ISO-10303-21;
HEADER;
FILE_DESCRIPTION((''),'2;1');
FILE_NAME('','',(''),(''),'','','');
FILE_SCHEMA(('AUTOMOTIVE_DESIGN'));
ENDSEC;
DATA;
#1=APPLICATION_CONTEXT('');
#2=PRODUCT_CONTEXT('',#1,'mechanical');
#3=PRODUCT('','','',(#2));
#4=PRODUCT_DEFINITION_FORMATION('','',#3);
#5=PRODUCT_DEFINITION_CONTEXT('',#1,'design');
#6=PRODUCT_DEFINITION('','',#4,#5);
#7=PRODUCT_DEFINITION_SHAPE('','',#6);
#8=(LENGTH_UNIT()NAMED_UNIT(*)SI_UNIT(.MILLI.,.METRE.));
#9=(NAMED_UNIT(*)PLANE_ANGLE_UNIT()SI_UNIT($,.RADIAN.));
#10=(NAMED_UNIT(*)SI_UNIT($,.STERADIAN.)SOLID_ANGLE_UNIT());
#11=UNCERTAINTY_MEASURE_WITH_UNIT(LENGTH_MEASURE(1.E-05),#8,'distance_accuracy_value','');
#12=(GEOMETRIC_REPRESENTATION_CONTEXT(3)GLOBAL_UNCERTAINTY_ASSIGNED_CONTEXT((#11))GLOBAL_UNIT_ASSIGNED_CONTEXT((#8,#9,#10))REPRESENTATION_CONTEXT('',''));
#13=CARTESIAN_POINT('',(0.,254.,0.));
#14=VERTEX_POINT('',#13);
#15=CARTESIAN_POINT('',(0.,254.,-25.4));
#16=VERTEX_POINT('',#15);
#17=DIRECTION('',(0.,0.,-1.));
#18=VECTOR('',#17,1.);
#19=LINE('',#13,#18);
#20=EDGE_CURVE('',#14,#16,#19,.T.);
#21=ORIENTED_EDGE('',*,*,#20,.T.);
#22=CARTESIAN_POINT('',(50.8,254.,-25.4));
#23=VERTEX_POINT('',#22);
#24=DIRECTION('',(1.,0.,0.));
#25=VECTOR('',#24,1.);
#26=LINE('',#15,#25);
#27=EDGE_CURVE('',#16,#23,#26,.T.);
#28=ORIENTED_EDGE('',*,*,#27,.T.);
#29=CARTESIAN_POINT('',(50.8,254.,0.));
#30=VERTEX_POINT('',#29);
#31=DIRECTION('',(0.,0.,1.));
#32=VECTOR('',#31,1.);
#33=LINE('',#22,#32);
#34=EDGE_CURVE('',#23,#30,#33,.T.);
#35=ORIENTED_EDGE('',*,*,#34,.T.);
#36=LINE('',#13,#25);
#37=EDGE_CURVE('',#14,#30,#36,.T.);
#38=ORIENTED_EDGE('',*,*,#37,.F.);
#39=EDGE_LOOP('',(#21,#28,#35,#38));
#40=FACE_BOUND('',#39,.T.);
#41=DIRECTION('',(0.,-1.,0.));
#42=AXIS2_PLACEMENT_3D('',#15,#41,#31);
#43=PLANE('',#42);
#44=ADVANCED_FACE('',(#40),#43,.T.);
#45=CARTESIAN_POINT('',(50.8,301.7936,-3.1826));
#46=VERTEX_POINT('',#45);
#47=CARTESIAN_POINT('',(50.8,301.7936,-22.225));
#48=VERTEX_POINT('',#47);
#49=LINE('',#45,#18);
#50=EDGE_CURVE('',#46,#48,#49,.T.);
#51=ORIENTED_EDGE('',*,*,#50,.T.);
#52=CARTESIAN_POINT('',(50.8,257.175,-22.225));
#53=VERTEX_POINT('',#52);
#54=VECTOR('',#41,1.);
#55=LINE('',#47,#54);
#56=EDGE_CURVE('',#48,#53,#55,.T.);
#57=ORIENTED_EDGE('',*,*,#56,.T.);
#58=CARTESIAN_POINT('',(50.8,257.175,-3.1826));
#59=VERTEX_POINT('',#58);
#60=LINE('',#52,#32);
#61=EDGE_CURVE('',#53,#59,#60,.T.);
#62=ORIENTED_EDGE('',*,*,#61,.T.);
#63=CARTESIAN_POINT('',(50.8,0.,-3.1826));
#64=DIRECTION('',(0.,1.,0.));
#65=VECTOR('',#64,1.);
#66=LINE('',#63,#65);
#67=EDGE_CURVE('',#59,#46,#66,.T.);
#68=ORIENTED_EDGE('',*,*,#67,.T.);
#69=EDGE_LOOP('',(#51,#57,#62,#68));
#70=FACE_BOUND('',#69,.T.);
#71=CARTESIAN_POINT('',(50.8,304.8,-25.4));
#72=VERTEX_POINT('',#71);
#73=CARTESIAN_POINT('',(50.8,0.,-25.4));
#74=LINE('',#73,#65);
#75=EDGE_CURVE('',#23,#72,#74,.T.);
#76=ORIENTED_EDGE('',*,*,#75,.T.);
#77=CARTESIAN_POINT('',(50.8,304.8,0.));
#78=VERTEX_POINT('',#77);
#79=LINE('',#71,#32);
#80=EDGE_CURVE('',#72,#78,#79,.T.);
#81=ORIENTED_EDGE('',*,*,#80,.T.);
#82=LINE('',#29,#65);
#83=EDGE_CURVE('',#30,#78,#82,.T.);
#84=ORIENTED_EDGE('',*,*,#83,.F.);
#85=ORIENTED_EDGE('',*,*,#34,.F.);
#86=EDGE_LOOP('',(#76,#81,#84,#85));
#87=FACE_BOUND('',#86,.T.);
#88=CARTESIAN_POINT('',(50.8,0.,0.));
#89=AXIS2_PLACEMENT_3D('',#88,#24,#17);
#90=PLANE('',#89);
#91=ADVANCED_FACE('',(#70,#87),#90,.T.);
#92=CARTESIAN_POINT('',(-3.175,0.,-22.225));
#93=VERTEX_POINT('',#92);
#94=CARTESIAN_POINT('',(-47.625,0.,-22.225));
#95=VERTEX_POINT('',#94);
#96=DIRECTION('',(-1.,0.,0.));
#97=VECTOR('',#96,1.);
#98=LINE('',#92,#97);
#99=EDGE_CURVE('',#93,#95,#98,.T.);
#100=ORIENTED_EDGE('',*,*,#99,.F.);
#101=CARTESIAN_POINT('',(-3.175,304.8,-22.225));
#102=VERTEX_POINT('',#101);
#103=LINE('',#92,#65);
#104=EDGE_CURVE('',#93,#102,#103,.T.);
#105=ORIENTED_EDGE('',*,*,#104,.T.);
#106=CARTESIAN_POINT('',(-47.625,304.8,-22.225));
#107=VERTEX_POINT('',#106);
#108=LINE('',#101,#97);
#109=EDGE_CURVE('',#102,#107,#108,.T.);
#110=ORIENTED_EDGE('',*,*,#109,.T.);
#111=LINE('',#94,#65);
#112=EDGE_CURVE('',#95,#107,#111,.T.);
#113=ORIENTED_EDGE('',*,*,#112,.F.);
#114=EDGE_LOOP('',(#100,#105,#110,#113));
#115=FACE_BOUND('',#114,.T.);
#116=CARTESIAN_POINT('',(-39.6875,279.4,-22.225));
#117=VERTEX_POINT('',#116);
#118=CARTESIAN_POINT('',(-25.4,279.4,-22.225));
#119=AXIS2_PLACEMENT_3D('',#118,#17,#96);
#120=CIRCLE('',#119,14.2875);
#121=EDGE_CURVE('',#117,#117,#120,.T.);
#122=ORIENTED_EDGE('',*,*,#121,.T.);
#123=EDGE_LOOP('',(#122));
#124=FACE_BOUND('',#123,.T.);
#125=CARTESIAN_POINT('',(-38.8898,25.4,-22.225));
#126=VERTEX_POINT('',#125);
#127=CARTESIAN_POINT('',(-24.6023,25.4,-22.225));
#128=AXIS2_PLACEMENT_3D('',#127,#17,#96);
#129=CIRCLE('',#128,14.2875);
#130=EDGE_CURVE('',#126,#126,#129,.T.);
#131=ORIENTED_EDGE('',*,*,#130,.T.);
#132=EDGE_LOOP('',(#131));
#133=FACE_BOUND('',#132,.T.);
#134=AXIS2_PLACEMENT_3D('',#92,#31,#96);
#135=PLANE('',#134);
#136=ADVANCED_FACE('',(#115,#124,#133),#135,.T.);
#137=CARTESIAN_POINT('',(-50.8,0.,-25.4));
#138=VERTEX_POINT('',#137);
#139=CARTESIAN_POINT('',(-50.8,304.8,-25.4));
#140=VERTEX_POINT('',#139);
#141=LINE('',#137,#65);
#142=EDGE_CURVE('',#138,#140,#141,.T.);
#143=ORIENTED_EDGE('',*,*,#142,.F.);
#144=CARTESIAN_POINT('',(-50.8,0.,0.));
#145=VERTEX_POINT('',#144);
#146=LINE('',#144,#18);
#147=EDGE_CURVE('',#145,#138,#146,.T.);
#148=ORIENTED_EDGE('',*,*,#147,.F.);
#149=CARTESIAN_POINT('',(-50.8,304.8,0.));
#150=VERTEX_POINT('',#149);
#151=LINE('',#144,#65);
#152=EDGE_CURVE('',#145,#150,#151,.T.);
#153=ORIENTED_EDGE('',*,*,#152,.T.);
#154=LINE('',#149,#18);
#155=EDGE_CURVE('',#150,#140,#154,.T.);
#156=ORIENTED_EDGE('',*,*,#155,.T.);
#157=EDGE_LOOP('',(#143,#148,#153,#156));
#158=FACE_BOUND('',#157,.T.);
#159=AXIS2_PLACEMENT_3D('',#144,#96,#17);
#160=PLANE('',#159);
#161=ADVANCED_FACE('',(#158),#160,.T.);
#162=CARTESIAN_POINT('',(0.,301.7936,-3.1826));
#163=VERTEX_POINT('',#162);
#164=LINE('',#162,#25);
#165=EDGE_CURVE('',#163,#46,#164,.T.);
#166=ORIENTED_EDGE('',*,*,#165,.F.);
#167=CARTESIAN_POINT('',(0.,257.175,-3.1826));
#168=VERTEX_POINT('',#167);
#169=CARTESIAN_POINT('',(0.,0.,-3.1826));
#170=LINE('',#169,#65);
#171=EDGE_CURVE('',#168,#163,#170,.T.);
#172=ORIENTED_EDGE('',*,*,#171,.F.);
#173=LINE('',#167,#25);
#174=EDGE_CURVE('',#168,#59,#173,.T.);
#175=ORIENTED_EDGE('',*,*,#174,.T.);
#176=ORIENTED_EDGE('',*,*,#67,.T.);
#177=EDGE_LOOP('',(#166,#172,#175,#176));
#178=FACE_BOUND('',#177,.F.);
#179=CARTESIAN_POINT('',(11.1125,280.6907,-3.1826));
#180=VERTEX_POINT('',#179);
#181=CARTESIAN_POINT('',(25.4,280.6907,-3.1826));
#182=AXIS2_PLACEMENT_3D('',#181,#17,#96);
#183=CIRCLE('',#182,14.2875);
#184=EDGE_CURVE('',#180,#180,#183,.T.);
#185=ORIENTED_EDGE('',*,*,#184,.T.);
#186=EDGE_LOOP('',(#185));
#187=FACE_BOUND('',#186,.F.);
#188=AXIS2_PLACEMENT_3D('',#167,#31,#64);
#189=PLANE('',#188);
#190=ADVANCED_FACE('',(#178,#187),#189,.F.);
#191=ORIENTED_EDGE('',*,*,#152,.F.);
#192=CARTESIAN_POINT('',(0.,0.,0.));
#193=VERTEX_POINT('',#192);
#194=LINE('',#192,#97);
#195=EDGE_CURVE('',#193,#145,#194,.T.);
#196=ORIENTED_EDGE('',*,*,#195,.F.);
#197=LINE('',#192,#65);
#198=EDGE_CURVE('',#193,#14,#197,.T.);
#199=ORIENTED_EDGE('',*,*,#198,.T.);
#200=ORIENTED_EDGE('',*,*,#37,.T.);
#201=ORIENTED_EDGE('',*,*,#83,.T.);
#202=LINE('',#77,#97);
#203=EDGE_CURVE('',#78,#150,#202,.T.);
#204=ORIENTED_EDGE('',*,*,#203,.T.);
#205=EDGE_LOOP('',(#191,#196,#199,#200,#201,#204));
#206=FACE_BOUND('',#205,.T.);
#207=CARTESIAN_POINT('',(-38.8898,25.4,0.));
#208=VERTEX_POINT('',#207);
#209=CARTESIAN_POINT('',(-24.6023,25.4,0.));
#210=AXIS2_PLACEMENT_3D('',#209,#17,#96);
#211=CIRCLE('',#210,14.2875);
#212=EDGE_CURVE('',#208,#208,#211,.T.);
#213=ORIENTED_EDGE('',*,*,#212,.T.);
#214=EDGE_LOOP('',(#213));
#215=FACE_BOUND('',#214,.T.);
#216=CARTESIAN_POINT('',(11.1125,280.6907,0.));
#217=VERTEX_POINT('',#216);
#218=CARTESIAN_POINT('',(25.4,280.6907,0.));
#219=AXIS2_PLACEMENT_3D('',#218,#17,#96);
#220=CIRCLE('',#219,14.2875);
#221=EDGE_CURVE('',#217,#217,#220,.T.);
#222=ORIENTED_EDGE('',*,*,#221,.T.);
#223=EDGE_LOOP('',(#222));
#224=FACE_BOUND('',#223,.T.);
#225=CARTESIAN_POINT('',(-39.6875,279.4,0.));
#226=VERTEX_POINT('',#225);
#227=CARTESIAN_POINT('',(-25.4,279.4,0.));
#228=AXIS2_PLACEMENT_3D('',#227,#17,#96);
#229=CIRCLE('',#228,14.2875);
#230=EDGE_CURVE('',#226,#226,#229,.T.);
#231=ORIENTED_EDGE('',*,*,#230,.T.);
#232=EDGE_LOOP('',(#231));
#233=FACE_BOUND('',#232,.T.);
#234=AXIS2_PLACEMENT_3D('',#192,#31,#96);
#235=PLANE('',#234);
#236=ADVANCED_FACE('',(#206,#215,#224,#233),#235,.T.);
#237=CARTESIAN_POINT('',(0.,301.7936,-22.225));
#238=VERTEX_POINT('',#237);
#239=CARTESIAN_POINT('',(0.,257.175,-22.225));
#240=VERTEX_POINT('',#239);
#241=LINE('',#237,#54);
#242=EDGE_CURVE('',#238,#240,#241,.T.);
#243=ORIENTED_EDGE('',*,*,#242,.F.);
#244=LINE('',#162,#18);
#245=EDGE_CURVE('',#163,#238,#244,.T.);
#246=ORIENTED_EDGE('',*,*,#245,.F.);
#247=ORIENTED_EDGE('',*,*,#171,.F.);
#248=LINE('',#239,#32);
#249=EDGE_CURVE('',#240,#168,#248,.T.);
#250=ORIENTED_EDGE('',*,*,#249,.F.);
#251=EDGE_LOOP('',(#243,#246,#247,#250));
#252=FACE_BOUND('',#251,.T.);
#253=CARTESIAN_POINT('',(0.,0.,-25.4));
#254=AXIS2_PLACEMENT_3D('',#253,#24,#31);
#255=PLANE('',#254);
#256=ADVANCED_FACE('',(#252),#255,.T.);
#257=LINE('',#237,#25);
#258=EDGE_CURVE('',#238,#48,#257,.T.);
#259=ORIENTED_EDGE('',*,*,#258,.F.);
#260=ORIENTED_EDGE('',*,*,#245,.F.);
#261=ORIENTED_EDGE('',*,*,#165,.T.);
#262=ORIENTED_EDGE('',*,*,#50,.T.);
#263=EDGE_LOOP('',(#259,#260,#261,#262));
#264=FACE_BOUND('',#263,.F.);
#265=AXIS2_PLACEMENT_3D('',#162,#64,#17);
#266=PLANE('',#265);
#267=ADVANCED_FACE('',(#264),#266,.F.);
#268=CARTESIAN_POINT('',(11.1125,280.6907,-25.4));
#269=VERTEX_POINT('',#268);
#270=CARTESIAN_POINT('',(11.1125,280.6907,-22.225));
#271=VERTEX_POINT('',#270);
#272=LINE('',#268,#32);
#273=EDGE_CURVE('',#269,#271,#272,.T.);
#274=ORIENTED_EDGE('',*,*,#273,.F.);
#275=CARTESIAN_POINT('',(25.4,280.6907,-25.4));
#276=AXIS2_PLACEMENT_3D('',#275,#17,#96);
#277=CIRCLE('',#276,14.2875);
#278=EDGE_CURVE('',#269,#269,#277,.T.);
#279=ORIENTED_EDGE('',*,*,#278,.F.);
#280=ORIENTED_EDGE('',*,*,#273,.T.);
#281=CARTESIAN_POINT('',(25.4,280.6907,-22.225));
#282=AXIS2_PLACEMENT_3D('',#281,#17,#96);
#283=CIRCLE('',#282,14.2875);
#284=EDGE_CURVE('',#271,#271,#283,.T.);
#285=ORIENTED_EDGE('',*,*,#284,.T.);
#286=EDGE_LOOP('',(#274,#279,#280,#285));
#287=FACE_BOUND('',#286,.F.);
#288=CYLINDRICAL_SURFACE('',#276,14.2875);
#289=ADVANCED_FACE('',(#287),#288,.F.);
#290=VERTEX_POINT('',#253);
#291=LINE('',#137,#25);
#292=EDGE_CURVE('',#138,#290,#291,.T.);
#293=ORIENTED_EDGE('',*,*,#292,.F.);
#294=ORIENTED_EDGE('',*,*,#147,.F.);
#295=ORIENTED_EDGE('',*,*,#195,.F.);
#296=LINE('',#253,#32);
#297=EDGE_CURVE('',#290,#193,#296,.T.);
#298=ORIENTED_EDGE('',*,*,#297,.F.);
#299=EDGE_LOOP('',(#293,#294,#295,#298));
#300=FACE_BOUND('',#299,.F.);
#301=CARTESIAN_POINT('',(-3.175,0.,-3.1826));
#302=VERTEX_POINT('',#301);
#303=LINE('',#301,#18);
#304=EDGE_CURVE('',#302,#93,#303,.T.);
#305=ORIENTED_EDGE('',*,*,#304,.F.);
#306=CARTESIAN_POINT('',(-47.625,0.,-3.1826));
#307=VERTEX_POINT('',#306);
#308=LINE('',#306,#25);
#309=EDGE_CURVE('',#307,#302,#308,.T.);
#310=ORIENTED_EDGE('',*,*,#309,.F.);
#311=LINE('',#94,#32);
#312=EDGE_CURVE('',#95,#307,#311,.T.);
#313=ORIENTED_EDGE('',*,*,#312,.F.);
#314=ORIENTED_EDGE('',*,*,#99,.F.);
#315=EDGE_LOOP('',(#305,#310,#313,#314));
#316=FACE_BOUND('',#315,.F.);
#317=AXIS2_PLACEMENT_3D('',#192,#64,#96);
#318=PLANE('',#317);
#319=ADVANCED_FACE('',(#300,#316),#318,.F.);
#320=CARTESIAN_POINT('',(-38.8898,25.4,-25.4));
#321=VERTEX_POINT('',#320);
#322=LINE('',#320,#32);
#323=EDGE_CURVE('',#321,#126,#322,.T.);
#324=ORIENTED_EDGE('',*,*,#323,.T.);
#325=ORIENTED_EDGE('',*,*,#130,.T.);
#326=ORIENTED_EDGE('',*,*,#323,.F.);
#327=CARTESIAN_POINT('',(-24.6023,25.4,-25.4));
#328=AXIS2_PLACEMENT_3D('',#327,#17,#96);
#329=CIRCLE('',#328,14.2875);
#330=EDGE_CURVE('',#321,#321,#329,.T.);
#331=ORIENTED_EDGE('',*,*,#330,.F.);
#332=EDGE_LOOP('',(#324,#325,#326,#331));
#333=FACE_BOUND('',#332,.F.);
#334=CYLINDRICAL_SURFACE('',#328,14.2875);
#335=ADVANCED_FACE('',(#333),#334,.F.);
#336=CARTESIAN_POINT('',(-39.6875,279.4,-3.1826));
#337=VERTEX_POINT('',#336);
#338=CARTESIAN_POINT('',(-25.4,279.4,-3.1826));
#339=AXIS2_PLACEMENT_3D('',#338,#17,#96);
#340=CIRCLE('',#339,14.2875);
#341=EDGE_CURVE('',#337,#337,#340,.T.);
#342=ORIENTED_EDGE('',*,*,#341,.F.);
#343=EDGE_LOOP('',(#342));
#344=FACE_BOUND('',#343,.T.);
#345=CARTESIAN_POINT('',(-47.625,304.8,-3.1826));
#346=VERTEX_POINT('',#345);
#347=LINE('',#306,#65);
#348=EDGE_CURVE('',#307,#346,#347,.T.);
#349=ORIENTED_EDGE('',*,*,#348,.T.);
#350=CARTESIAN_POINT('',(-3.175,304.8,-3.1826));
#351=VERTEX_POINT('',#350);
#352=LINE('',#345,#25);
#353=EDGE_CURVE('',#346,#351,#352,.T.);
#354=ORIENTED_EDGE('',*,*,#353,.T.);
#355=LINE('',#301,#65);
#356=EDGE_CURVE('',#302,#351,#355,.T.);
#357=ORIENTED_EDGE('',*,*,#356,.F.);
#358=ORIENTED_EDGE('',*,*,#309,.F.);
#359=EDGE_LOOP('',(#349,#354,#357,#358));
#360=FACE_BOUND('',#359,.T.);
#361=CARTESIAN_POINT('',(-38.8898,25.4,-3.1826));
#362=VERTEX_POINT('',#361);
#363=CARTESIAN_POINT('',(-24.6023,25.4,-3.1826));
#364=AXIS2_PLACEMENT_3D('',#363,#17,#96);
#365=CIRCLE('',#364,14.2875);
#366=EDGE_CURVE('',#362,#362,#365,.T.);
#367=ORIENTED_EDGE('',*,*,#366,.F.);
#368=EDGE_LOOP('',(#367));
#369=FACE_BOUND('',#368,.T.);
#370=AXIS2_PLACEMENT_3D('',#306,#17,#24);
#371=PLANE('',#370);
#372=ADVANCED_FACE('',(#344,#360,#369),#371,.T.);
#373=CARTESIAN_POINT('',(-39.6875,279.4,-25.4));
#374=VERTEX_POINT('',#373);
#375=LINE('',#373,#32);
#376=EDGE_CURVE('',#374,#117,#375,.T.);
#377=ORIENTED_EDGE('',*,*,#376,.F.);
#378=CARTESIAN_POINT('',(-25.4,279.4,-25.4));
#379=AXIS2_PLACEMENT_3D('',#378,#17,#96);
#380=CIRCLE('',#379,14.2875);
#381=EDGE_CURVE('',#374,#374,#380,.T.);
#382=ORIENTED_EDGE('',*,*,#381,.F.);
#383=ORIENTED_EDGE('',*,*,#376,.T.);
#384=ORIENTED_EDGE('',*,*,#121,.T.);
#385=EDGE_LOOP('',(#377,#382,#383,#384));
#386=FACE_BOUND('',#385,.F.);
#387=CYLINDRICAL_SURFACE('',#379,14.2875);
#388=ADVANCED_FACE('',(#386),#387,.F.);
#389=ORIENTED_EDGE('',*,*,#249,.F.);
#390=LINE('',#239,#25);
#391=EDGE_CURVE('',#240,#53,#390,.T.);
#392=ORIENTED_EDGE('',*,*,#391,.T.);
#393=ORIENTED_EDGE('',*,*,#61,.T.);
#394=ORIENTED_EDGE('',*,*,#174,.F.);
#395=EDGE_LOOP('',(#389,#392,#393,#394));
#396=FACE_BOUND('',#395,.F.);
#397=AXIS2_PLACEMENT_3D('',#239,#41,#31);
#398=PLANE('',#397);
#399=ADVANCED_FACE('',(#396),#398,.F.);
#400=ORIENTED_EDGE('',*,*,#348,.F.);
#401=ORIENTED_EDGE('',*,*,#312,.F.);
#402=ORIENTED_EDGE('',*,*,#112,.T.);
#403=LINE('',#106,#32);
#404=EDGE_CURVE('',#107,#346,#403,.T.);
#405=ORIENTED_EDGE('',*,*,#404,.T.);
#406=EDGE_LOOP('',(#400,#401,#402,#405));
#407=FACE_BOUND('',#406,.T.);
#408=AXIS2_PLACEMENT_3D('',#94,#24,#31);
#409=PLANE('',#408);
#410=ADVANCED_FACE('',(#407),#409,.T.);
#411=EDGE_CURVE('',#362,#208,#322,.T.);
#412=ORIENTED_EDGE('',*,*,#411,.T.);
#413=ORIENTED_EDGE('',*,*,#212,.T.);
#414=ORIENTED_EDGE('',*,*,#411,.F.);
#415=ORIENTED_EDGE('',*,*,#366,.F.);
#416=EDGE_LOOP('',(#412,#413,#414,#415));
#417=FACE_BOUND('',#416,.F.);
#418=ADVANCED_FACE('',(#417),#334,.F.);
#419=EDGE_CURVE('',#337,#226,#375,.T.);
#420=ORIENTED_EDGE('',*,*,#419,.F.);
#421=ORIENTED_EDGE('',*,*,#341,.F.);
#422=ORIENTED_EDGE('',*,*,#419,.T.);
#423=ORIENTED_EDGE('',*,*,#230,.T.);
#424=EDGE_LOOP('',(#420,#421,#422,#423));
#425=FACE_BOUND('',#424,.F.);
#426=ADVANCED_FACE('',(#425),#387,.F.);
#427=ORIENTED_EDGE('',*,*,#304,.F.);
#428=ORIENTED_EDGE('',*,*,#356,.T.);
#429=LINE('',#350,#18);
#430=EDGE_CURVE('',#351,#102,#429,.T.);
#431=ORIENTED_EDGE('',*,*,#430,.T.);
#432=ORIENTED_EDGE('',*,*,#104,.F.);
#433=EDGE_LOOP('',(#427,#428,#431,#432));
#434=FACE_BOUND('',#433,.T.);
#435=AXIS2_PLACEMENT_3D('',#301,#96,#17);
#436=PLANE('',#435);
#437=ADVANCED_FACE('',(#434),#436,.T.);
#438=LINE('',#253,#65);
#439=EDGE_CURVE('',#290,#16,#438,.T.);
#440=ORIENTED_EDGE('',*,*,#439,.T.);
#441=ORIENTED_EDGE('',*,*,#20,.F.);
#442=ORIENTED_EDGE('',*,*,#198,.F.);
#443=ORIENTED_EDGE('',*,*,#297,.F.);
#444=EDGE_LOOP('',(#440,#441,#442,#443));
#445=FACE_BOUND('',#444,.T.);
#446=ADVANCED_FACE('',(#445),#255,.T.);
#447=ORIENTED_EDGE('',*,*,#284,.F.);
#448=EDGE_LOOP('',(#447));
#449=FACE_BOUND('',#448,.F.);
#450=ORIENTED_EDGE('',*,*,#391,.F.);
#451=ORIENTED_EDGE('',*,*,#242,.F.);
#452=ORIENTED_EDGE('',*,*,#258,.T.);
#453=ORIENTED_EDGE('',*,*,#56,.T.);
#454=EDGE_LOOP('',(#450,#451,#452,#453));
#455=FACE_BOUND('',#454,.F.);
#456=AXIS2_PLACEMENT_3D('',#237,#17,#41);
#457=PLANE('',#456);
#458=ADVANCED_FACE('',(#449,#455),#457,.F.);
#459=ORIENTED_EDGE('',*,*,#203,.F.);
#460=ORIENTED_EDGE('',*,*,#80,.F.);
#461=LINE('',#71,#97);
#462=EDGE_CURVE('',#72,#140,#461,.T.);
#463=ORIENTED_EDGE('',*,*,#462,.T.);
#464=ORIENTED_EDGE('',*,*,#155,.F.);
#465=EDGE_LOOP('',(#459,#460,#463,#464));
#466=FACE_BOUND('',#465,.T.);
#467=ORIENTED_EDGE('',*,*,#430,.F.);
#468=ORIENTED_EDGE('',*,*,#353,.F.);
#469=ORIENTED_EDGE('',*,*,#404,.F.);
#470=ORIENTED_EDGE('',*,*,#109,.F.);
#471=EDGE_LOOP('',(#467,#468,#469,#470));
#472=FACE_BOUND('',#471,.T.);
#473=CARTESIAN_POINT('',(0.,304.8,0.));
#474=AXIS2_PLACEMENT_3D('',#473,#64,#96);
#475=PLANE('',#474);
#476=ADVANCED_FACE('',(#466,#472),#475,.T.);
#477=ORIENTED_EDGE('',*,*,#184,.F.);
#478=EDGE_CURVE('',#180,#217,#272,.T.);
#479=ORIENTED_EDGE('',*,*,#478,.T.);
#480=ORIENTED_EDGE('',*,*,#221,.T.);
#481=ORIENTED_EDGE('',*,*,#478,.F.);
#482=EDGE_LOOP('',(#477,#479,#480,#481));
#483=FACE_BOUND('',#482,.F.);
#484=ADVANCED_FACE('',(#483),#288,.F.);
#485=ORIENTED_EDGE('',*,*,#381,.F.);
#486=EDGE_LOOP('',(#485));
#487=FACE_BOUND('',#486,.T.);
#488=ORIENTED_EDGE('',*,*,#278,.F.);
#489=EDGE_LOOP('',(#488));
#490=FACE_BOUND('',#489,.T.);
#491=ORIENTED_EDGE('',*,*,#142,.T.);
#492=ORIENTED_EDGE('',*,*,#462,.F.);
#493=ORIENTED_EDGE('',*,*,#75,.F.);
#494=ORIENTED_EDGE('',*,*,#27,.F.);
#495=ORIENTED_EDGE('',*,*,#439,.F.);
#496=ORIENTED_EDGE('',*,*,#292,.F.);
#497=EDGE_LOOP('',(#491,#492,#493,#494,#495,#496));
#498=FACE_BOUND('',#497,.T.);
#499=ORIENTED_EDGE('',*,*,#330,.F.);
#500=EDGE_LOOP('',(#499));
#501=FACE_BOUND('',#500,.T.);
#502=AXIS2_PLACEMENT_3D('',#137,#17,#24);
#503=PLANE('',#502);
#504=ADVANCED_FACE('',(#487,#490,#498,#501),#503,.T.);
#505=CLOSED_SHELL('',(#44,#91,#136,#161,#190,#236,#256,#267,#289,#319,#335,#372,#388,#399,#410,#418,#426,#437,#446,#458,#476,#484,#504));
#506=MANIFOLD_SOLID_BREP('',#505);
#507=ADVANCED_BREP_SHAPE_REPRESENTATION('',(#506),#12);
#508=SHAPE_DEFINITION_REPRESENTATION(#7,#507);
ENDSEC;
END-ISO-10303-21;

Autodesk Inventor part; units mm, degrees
ref_plane "YZ Plane" through (0, 0, 0) normal (1, 0, 0) x (0, 1, 0)
ref_plane "XZ Plane" through (0, 0, 0) normal (0, 1, 0) x (-1, 0, 0)
ref_plane "XY Plane" through (0, 0, 0) normal (0, 0, 1) x (1, 0, 0)
sketch "Sketch1" plane through (0, 0, 0) normal (0, 1, 0) x (-1, 0, 0)
  line L0 (0, 0) -> (50.8, 0)
  line L1 (50.8, 0) -> (50.8, -25.4)
  line L2 (50.8, -25.4) -> (0, -25.4)
  line L3 (0, -25.4) -> (0, 0)
  line L4 (47.625, -3.1826) -> (3.175, -3.1826)
  line L5 (3.175, -3.1826) -> (3.175, -22.225)
  line L6 (3.175, -22.225) -> (47.625, -22.225)
  line L7 (47.625, -22.225) -> (47.625, -3.1826)
  dimension "d0" = 50.8
  dimension "d1" = 25.4
  dimension "d2" = 3.175
  dimension "d3" = 3.1826
  dimension "d4" = 3.175
  dimension "d5" = 3.175
extrude "Extrusion1" add sketch "Sketch1" along normal blind 304.8
sketch "Sketch2" plane through (0, 0, 0) normal (1, 0, 0) x (0, 0, -1)
  line L0 (25.4, 0) -> (25.4, 304.8) projected
  line L1 (0, 304.8) -> (25.4, 304.8)
  line L2 (25.4, 304.8) -> (25.4, 254)
  line L3 (25.4, 254) -> (0, 254)
  line L4 (0, 254) -> (0, 304.8)
  line L5 (3.1826, 0) -> (3.1826, 304.8) projected
  line L6 (3.1826, 301.7936) -> (22.225, 301.7936)
  line L7 (22.225, 301.7936) -> (22.225, 257.175)
  line L8 (22.225, 257.175) -> (3.1826, 257.175)
  line L9 (3.1826, 257.175) -> (3.1826, 301.7936)
  point P0 (0, 0)
  dimension "d8" = 50.8
  dimension "d9" = 3.175
  dimension "d10" = 3.175
extrude "Extrusion2" add sketch "Sketch2" along normal blind 50.8 contours L3 L5 L8 L7 L6 L1 L0 | L3 L4 L1 L5
sketch "Sketch3" plane through (0, 0, -25.4) normal (0, 0, -1) x (-1, 0, 0)
  circle A0 centre (-25.4, 280.6907) radius 14.2875
  line L0 (-50.8, 254) -> (-50.8, 304.8) projected
  point P0 (0, 0)
  dimension "d13" = 25.4
  dimension "d14" = 28.575
extrude "Extrusion3" cut sketch "Sketch3" against normal through all
sketch "Sketch4" plane through (0, 0, -25.4) normal (0, 0, -1) x (-1, 0, 0)
  circle A0 centre (24.6023, 25.4) radius 14.2875
  line L0 (50.8, 0) -> (0, 0) projected
  dimension "d17" = 25.4
  dimension "d18" = 28.575
extrude "Extrusion4" cut sketch "Sketch4" against normal through all
sketch "Sketch5" plane through (0, 0, -25.4) normal (0, 0, -1) x (-1, 0, 0)
  circle A0 centre (25.4, 279.4) radius 14.2875
  line L0 (50.8, 304.8) -> (-50.8, 304.8) projected
  line L1 (50.8, 0) -> (50.8, 304.8) projected
  point P0 (0, 0)
  dimension "d21" = 25.4
  dimension "d22" = 28.575
  dimension "d23" = 25.4
extrude "Extrusion5" cut sketch "Sketch5" against normal blind 25.4
properties part number "arm" material "Aluminum 6061"
